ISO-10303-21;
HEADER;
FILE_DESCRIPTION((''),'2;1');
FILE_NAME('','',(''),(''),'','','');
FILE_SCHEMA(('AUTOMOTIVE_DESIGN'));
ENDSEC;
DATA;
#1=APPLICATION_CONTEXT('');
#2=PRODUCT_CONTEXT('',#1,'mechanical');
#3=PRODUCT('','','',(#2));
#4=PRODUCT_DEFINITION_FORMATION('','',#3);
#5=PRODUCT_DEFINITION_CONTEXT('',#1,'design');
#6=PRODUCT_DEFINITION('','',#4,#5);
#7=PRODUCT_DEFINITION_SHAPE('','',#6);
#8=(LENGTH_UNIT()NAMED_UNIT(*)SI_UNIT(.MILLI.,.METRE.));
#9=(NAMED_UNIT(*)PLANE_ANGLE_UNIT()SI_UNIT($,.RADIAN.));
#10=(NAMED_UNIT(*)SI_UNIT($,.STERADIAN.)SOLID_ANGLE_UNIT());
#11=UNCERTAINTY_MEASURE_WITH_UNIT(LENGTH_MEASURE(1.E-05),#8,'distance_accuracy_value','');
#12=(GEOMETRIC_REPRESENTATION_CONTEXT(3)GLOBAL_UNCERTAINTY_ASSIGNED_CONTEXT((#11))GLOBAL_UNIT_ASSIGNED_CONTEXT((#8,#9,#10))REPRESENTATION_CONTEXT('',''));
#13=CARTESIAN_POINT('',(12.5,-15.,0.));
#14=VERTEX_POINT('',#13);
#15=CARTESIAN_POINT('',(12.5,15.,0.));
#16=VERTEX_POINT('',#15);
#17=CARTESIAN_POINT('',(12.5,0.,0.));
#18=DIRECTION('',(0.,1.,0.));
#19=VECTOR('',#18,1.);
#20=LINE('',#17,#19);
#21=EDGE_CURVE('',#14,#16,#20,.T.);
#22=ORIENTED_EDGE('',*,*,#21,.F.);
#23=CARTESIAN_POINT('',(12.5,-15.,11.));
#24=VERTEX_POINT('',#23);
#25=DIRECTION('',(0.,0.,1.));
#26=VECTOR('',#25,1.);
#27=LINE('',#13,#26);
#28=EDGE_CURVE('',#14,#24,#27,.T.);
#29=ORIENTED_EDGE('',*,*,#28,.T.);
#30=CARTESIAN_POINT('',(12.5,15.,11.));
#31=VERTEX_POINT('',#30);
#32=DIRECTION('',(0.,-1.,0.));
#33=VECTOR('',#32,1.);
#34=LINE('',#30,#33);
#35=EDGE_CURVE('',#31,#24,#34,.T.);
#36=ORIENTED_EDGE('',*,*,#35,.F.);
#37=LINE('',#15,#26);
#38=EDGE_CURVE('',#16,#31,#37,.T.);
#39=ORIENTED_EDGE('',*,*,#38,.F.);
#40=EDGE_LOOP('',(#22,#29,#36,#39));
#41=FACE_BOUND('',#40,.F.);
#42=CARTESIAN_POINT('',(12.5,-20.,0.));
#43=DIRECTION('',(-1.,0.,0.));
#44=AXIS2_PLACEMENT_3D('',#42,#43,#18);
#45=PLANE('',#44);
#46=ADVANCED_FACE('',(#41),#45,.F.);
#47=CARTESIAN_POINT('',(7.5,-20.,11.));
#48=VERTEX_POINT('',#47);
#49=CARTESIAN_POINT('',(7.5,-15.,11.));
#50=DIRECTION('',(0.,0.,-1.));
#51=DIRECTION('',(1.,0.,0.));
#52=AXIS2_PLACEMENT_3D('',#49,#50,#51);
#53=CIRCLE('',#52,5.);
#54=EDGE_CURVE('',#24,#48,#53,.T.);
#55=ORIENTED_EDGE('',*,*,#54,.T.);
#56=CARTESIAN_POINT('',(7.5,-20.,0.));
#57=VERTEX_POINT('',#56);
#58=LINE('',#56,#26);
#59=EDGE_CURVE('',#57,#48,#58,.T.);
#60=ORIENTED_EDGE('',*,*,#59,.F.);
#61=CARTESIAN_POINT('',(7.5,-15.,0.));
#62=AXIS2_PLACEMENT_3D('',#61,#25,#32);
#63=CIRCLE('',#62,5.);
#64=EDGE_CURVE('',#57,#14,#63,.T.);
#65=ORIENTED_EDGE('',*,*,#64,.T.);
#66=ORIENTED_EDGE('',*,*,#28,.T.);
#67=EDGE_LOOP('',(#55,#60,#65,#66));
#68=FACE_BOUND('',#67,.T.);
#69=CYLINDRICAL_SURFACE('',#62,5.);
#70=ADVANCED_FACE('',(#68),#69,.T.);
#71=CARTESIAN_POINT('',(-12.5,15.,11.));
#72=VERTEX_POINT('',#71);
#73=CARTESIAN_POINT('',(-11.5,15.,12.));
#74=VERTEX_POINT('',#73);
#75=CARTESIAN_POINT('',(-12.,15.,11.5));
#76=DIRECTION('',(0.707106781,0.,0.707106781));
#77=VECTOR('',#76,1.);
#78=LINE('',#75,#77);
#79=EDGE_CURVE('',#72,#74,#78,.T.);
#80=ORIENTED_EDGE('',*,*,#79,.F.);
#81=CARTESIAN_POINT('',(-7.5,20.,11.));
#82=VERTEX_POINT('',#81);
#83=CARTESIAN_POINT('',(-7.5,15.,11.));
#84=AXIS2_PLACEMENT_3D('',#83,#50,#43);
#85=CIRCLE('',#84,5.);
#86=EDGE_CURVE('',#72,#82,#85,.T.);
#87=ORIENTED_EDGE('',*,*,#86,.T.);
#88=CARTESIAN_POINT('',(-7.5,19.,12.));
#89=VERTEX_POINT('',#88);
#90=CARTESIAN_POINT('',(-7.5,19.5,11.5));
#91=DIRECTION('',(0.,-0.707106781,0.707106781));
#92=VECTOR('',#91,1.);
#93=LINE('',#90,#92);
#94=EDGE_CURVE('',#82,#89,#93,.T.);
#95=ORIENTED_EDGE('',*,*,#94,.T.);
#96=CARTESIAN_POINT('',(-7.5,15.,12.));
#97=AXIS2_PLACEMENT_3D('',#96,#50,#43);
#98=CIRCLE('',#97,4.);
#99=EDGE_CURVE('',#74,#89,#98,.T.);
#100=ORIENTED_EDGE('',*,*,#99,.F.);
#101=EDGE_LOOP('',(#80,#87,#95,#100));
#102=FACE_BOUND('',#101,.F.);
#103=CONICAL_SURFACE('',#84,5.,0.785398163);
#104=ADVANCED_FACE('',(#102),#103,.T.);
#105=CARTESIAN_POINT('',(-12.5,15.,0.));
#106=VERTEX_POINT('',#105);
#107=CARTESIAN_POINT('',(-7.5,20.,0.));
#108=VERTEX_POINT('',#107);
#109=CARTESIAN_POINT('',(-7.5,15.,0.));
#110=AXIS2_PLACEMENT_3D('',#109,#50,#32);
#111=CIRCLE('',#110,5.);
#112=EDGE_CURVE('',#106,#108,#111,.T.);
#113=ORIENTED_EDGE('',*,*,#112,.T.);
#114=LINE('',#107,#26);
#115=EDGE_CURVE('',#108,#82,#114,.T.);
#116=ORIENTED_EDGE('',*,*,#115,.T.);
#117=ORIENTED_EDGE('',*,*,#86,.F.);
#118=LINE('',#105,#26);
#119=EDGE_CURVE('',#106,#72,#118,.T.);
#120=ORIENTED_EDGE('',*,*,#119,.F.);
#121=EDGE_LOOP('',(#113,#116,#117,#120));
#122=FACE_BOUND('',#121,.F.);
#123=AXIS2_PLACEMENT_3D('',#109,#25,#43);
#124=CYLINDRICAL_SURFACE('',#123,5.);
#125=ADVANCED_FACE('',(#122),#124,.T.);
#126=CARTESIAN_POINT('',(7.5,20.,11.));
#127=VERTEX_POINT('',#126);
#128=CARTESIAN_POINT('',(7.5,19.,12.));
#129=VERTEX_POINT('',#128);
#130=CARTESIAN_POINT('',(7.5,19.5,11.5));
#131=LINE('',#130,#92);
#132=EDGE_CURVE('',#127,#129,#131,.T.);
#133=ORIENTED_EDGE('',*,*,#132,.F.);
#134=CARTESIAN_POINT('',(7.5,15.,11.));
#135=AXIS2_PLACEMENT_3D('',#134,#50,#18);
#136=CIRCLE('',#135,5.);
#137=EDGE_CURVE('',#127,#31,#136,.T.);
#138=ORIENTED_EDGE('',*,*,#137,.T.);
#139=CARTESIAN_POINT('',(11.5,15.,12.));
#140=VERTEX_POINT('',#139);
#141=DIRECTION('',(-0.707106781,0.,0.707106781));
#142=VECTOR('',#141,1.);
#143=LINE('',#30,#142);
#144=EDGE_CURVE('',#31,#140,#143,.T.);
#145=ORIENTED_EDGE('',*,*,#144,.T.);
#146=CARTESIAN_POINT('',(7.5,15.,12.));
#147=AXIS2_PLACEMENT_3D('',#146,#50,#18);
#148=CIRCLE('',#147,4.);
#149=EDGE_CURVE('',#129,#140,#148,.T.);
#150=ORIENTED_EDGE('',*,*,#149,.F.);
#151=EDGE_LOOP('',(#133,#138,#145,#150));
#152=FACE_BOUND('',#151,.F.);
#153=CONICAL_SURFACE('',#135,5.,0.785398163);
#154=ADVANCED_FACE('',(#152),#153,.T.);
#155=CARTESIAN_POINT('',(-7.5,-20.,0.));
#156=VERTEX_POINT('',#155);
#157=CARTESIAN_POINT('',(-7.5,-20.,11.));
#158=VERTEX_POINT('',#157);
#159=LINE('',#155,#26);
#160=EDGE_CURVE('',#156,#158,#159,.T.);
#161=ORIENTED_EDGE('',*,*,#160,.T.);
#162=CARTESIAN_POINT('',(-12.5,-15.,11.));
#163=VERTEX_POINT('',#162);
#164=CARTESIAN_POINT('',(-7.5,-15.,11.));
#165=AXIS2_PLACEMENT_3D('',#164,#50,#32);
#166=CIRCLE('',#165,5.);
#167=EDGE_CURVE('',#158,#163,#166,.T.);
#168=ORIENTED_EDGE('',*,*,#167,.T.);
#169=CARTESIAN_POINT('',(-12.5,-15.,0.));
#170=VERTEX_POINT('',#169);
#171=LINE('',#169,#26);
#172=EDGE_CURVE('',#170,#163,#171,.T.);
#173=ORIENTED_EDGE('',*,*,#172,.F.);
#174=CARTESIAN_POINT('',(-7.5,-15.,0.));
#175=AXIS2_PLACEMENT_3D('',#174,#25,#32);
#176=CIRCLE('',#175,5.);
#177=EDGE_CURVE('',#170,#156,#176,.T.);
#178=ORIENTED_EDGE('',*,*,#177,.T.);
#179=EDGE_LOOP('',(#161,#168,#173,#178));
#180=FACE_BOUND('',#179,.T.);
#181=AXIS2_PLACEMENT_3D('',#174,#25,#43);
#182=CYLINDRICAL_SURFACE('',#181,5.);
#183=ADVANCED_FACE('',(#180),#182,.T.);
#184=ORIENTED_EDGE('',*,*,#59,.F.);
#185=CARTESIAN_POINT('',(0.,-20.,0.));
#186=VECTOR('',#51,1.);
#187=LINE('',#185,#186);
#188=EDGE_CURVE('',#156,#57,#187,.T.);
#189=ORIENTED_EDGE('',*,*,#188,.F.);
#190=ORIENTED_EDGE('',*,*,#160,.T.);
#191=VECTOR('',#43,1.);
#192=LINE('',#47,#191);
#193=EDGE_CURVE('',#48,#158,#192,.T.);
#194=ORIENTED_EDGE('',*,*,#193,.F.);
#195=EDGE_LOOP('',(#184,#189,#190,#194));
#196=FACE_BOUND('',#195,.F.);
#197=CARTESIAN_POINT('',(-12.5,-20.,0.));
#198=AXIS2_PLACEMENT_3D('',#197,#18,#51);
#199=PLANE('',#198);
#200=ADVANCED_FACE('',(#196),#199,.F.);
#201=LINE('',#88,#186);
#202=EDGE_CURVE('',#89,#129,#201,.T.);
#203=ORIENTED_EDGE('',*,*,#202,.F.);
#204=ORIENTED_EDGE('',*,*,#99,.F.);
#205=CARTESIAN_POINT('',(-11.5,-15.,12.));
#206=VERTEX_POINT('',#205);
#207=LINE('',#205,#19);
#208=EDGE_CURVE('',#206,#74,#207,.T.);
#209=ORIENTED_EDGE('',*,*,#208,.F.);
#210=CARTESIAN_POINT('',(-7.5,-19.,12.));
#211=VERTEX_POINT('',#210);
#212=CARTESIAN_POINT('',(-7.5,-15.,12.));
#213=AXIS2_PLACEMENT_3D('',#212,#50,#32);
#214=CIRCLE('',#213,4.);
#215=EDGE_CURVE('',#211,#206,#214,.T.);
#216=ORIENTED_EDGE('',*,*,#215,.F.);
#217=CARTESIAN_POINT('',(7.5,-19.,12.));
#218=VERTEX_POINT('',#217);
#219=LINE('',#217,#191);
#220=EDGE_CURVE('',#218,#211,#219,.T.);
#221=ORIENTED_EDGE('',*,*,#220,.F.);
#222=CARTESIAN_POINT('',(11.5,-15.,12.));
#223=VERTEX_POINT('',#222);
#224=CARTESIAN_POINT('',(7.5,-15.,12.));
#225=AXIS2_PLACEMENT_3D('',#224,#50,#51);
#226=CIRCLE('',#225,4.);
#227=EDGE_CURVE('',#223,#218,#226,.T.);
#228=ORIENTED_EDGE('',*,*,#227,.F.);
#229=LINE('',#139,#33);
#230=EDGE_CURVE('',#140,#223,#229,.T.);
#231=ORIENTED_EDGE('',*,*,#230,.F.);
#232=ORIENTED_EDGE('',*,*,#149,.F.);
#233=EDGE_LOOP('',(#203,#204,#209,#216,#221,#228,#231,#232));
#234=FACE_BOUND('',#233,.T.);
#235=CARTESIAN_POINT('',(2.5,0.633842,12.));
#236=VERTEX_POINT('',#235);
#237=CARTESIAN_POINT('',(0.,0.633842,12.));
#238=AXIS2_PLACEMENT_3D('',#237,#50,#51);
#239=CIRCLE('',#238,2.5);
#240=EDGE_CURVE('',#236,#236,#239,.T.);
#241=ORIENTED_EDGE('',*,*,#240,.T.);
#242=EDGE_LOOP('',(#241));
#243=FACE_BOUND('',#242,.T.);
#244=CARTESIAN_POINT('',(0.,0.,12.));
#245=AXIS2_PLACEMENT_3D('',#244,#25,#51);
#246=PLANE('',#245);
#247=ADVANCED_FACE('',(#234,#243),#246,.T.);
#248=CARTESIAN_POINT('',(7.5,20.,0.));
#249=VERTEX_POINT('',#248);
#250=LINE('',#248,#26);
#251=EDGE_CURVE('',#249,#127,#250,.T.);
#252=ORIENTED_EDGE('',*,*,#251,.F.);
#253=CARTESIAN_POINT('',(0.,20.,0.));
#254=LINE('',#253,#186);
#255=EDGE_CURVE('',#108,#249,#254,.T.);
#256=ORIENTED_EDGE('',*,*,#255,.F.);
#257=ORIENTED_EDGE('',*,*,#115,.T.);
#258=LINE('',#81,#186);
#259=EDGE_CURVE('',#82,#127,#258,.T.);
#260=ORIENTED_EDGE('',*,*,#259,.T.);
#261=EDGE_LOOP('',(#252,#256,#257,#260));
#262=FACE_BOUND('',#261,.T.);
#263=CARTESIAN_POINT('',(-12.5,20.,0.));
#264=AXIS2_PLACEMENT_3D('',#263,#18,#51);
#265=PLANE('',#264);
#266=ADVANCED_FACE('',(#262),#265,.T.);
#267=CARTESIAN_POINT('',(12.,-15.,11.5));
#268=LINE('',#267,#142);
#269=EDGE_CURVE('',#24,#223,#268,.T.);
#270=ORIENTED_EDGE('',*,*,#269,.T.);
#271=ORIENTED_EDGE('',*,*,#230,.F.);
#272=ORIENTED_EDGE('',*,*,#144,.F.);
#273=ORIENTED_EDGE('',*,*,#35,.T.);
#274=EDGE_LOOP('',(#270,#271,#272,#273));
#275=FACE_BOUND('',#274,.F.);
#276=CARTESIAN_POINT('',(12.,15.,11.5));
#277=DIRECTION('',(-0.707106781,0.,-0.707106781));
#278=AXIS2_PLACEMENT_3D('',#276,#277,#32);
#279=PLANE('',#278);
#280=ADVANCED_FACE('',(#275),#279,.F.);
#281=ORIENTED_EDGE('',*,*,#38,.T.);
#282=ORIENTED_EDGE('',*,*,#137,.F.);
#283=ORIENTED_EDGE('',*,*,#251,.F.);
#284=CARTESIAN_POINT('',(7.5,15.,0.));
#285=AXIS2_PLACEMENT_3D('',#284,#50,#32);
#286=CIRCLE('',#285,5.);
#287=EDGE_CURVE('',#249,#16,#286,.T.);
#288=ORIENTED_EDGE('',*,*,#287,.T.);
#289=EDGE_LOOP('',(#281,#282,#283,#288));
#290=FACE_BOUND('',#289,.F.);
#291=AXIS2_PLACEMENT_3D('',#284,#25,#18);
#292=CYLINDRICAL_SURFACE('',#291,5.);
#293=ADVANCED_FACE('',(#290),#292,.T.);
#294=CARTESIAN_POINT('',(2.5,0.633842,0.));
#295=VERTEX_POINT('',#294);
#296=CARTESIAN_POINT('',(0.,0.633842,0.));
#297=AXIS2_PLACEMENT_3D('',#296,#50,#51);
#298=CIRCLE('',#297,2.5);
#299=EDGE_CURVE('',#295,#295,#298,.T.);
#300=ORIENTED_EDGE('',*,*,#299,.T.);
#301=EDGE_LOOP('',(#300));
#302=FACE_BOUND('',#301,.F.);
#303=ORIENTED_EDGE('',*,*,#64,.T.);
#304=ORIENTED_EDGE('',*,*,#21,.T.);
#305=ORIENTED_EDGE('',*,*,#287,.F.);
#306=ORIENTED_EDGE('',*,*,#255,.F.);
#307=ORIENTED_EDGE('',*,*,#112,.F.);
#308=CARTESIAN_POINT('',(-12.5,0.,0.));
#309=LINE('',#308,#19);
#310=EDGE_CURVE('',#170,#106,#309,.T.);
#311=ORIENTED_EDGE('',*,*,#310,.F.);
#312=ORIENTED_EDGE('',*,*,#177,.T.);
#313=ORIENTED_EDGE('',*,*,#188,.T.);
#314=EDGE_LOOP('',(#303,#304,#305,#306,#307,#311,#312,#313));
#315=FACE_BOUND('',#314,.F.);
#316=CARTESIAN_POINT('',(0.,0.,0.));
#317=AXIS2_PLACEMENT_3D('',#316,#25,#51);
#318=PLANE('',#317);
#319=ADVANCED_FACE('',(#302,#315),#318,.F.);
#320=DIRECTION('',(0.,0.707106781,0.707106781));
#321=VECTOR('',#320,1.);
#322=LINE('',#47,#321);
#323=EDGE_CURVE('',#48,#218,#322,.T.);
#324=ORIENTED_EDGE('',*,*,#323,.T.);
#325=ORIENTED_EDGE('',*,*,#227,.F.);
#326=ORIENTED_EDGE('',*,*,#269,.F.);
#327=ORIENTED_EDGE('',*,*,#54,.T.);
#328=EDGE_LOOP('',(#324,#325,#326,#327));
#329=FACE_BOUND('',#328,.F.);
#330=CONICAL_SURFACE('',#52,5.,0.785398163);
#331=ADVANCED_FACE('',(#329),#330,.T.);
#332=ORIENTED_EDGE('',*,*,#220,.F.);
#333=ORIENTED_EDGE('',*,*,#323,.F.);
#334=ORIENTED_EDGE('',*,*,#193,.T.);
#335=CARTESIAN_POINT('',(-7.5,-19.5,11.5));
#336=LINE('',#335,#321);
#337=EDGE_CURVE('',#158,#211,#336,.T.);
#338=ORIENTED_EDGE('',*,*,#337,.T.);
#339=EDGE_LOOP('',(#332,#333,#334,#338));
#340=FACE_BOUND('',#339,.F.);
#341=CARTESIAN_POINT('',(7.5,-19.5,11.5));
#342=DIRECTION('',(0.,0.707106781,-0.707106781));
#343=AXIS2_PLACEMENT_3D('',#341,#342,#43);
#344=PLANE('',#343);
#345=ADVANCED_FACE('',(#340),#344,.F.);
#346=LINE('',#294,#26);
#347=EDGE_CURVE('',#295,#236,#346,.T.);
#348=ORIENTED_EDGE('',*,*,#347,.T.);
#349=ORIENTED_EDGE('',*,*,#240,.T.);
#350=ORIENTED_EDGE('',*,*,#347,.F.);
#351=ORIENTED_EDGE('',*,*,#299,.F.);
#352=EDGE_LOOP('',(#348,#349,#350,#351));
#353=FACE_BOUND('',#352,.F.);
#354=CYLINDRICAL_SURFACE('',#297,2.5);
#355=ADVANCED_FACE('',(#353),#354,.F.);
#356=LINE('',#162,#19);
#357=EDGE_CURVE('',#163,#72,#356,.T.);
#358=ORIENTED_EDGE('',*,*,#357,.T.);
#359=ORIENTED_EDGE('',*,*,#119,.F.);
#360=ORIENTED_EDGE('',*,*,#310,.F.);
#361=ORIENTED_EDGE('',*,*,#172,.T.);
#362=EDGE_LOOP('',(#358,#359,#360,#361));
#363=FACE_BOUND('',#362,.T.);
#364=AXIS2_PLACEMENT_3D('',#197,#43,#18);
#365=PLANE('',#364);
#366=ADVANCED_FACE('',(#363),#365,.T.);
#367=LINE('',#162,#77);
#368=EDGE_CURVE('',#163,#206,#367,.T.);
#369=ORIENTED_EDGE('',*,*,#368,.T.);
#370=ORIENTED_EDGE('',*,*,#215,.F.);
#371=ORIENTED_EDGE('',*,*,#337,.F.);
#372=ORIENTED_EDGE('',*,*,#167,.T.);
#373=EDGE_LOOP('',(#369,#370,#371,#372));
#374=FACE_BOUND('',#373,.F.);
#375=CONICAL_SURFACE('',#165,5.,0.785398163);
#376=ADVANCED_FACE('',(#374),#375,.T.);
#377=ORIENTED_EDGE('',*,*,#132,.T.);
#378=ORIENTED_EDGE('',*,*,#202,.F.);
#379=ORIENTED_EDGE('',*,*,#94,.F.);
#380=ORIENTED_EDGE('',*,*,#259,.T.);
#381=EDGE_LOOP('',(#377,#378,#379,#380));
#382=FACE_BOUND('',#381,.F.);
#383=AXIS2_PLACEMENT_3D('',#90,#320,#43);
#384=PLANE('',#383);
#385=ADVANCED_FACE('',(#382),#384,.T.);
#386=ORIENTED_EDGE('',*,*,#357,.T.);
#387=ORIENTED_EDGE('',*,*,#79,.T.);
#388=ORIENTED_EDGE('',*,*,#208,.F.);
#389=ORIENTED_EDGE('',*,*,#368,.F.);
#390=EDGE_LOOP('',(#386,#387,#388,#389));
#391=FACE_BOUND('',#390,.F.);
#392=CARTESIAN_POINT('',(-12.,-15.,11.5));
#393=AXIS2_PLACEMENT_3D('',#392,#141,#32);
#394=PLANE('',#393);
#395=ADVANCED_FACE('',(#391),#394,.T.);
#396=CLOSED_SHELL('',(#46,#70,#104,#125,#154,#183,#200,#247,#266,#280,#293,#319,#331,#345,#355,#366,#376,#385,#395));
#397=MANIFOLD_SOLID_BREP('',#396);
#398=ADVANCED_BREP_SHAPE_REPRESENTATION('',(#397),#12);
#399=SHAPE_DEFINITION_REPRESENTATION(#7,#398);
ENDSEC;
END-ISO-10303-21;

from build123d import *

# Parameters (mm, degrees)
F0_W     = 25
F0_H     = 40
F1_DEPTH = 12
F2_R     = 2.5
F3_DEPTH = 123.8
F4_R     = 5
F5_R     = 5
F6_R     = 5
F7_R     = 5
F8_SIZE  = 1


with BuildPart() as f1:
    # F0 (on Top) → F1 (new body)
    with BuildSketch(Plane.XY):
        Rectangle(F0_W, F0_H)
    extrude(amount=F1_DEPTH)

    # F2 (on face) → F3 (cut)
    with BuildSketch(Plane(origin=(0, 0, 0), x_dir=(1, 0, 0), z_dir=(0, 0, -1))):
        with Locations((0, -0.633842)):
            Circle(F2_R)
    extrude(amount=-F3_DEPTH, mode=Mode.SUBTRACT)

    # F4
    f4_edges = [f1.edges().sort_by_distance(p)[0] for p in [
        (-12.5, -20, 6),
    ]]
    fillet(f4_edges, radius=F4_R)

    # F5
    f5_edges = [f1.edges().sort_by_distance(p)[0] for p in [
        (12.5, -20, 6),
    ]]
    fillet(f5_edges, radius=F5_R)

    # F6
    f6_edges = [f1.edges().sort_by_distance(p)[0] for p in [
        (-12.5, 20, 6),
    ]]
    fillet(f6_edges, radius=F6_R)

    # F7
    f7_edges = [f1.edges().sort_by_distance(p)[0] for p in [
        (12.5, 20, 6),
    ]]
    fillet(f7_edges, radius=F7_R)

    # F8
    f8_edges = [f1.edges().sort_by_distance(p)[0] for p in [
        (0, 20, 12),
    ]]
    chamfer(f8_edges, length=F8_SIZE)


solid = f1.part
